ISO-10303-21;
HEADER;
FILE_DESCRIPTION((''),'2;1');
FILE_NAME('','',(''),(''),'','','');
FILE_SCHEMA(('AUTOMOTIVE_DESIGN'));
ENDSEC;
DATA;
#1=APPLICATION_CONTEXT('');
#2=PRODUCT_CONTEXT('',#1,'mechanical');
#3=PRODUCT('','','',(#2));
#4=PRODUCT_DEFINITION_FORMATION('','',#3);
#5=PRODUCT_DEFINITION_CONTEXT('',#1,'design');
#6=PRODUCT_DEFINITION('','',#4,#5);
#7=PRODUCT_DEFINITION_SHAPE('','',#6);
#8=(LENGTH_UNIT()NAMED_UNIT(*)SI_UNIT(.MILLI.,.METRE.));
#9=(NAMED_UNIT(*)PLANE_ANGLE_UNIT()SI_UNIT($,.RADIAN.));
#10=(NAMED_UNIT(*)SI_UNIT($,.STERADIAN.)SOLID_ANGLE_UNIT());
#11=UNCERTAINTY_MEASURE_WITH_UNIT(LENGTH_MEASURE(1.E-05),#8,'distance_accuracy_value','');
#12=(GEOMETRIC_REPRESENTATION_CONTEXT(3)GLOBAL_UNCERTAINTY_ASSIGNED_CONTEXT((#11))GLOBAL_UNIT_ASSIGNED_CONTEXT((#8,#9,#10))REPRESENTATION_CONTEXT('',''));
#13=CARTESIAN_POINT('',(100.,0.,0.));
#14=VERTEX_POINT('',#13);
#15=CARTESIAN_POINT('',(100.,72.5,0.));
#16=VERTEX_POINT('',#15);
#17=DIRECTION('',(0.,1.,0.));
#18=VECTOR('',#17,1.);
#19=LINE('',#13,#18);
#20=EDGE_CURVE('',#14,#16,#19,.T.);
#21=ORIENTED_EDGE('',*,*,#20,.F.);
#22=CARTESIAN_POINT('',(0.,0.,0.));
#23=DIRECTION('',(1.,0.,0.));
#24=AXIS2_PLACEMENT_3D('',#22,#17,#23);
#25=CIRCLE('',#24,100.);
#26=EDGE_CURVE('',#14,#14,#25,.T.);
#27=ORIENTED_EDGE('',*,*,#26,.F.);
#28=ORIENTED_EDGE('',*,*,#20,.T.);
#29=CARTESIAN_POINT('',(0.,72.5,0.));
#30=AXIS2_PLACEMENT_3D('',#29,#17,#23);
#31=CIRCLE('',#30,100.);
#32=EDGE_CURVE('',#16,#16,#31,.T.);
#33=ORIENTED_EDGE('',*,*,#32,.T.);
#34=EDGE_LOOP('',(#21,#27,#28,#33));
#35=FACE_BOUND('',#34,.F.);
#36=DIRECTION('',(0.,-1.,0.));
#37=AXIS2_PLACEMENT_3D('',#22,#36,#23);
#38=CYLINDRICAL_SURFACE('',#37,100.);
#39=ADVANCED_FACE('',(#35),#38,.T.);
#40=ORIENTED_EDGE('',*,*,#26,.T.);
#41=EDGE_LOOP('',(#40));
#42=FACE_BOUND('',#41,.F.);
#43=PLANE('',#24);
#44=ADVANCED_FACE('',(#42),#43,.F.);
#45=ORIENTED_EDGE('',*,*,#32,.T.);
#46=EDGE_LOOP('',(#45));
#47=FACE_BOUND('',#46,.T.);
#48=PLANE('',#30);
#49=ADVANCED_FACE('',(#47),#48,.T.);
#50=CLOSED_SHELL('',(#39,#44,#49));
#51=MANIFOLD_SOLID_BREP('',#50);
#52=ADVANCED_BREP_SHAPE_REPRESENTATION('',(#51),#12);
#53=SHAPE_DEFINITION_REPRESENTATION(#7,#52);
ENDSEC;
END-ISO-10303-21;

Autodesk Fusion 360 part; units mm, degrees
sketch "Sketch1" plane through (0, 0, 0) normal (0, 1, 0) x (1, 0, 0)
  circle A0 centre (0, 0) radius 100
  dimension "d1" = 200
extrude "Extrude1" add sketch "Sketch1" along normal blind 72.5
